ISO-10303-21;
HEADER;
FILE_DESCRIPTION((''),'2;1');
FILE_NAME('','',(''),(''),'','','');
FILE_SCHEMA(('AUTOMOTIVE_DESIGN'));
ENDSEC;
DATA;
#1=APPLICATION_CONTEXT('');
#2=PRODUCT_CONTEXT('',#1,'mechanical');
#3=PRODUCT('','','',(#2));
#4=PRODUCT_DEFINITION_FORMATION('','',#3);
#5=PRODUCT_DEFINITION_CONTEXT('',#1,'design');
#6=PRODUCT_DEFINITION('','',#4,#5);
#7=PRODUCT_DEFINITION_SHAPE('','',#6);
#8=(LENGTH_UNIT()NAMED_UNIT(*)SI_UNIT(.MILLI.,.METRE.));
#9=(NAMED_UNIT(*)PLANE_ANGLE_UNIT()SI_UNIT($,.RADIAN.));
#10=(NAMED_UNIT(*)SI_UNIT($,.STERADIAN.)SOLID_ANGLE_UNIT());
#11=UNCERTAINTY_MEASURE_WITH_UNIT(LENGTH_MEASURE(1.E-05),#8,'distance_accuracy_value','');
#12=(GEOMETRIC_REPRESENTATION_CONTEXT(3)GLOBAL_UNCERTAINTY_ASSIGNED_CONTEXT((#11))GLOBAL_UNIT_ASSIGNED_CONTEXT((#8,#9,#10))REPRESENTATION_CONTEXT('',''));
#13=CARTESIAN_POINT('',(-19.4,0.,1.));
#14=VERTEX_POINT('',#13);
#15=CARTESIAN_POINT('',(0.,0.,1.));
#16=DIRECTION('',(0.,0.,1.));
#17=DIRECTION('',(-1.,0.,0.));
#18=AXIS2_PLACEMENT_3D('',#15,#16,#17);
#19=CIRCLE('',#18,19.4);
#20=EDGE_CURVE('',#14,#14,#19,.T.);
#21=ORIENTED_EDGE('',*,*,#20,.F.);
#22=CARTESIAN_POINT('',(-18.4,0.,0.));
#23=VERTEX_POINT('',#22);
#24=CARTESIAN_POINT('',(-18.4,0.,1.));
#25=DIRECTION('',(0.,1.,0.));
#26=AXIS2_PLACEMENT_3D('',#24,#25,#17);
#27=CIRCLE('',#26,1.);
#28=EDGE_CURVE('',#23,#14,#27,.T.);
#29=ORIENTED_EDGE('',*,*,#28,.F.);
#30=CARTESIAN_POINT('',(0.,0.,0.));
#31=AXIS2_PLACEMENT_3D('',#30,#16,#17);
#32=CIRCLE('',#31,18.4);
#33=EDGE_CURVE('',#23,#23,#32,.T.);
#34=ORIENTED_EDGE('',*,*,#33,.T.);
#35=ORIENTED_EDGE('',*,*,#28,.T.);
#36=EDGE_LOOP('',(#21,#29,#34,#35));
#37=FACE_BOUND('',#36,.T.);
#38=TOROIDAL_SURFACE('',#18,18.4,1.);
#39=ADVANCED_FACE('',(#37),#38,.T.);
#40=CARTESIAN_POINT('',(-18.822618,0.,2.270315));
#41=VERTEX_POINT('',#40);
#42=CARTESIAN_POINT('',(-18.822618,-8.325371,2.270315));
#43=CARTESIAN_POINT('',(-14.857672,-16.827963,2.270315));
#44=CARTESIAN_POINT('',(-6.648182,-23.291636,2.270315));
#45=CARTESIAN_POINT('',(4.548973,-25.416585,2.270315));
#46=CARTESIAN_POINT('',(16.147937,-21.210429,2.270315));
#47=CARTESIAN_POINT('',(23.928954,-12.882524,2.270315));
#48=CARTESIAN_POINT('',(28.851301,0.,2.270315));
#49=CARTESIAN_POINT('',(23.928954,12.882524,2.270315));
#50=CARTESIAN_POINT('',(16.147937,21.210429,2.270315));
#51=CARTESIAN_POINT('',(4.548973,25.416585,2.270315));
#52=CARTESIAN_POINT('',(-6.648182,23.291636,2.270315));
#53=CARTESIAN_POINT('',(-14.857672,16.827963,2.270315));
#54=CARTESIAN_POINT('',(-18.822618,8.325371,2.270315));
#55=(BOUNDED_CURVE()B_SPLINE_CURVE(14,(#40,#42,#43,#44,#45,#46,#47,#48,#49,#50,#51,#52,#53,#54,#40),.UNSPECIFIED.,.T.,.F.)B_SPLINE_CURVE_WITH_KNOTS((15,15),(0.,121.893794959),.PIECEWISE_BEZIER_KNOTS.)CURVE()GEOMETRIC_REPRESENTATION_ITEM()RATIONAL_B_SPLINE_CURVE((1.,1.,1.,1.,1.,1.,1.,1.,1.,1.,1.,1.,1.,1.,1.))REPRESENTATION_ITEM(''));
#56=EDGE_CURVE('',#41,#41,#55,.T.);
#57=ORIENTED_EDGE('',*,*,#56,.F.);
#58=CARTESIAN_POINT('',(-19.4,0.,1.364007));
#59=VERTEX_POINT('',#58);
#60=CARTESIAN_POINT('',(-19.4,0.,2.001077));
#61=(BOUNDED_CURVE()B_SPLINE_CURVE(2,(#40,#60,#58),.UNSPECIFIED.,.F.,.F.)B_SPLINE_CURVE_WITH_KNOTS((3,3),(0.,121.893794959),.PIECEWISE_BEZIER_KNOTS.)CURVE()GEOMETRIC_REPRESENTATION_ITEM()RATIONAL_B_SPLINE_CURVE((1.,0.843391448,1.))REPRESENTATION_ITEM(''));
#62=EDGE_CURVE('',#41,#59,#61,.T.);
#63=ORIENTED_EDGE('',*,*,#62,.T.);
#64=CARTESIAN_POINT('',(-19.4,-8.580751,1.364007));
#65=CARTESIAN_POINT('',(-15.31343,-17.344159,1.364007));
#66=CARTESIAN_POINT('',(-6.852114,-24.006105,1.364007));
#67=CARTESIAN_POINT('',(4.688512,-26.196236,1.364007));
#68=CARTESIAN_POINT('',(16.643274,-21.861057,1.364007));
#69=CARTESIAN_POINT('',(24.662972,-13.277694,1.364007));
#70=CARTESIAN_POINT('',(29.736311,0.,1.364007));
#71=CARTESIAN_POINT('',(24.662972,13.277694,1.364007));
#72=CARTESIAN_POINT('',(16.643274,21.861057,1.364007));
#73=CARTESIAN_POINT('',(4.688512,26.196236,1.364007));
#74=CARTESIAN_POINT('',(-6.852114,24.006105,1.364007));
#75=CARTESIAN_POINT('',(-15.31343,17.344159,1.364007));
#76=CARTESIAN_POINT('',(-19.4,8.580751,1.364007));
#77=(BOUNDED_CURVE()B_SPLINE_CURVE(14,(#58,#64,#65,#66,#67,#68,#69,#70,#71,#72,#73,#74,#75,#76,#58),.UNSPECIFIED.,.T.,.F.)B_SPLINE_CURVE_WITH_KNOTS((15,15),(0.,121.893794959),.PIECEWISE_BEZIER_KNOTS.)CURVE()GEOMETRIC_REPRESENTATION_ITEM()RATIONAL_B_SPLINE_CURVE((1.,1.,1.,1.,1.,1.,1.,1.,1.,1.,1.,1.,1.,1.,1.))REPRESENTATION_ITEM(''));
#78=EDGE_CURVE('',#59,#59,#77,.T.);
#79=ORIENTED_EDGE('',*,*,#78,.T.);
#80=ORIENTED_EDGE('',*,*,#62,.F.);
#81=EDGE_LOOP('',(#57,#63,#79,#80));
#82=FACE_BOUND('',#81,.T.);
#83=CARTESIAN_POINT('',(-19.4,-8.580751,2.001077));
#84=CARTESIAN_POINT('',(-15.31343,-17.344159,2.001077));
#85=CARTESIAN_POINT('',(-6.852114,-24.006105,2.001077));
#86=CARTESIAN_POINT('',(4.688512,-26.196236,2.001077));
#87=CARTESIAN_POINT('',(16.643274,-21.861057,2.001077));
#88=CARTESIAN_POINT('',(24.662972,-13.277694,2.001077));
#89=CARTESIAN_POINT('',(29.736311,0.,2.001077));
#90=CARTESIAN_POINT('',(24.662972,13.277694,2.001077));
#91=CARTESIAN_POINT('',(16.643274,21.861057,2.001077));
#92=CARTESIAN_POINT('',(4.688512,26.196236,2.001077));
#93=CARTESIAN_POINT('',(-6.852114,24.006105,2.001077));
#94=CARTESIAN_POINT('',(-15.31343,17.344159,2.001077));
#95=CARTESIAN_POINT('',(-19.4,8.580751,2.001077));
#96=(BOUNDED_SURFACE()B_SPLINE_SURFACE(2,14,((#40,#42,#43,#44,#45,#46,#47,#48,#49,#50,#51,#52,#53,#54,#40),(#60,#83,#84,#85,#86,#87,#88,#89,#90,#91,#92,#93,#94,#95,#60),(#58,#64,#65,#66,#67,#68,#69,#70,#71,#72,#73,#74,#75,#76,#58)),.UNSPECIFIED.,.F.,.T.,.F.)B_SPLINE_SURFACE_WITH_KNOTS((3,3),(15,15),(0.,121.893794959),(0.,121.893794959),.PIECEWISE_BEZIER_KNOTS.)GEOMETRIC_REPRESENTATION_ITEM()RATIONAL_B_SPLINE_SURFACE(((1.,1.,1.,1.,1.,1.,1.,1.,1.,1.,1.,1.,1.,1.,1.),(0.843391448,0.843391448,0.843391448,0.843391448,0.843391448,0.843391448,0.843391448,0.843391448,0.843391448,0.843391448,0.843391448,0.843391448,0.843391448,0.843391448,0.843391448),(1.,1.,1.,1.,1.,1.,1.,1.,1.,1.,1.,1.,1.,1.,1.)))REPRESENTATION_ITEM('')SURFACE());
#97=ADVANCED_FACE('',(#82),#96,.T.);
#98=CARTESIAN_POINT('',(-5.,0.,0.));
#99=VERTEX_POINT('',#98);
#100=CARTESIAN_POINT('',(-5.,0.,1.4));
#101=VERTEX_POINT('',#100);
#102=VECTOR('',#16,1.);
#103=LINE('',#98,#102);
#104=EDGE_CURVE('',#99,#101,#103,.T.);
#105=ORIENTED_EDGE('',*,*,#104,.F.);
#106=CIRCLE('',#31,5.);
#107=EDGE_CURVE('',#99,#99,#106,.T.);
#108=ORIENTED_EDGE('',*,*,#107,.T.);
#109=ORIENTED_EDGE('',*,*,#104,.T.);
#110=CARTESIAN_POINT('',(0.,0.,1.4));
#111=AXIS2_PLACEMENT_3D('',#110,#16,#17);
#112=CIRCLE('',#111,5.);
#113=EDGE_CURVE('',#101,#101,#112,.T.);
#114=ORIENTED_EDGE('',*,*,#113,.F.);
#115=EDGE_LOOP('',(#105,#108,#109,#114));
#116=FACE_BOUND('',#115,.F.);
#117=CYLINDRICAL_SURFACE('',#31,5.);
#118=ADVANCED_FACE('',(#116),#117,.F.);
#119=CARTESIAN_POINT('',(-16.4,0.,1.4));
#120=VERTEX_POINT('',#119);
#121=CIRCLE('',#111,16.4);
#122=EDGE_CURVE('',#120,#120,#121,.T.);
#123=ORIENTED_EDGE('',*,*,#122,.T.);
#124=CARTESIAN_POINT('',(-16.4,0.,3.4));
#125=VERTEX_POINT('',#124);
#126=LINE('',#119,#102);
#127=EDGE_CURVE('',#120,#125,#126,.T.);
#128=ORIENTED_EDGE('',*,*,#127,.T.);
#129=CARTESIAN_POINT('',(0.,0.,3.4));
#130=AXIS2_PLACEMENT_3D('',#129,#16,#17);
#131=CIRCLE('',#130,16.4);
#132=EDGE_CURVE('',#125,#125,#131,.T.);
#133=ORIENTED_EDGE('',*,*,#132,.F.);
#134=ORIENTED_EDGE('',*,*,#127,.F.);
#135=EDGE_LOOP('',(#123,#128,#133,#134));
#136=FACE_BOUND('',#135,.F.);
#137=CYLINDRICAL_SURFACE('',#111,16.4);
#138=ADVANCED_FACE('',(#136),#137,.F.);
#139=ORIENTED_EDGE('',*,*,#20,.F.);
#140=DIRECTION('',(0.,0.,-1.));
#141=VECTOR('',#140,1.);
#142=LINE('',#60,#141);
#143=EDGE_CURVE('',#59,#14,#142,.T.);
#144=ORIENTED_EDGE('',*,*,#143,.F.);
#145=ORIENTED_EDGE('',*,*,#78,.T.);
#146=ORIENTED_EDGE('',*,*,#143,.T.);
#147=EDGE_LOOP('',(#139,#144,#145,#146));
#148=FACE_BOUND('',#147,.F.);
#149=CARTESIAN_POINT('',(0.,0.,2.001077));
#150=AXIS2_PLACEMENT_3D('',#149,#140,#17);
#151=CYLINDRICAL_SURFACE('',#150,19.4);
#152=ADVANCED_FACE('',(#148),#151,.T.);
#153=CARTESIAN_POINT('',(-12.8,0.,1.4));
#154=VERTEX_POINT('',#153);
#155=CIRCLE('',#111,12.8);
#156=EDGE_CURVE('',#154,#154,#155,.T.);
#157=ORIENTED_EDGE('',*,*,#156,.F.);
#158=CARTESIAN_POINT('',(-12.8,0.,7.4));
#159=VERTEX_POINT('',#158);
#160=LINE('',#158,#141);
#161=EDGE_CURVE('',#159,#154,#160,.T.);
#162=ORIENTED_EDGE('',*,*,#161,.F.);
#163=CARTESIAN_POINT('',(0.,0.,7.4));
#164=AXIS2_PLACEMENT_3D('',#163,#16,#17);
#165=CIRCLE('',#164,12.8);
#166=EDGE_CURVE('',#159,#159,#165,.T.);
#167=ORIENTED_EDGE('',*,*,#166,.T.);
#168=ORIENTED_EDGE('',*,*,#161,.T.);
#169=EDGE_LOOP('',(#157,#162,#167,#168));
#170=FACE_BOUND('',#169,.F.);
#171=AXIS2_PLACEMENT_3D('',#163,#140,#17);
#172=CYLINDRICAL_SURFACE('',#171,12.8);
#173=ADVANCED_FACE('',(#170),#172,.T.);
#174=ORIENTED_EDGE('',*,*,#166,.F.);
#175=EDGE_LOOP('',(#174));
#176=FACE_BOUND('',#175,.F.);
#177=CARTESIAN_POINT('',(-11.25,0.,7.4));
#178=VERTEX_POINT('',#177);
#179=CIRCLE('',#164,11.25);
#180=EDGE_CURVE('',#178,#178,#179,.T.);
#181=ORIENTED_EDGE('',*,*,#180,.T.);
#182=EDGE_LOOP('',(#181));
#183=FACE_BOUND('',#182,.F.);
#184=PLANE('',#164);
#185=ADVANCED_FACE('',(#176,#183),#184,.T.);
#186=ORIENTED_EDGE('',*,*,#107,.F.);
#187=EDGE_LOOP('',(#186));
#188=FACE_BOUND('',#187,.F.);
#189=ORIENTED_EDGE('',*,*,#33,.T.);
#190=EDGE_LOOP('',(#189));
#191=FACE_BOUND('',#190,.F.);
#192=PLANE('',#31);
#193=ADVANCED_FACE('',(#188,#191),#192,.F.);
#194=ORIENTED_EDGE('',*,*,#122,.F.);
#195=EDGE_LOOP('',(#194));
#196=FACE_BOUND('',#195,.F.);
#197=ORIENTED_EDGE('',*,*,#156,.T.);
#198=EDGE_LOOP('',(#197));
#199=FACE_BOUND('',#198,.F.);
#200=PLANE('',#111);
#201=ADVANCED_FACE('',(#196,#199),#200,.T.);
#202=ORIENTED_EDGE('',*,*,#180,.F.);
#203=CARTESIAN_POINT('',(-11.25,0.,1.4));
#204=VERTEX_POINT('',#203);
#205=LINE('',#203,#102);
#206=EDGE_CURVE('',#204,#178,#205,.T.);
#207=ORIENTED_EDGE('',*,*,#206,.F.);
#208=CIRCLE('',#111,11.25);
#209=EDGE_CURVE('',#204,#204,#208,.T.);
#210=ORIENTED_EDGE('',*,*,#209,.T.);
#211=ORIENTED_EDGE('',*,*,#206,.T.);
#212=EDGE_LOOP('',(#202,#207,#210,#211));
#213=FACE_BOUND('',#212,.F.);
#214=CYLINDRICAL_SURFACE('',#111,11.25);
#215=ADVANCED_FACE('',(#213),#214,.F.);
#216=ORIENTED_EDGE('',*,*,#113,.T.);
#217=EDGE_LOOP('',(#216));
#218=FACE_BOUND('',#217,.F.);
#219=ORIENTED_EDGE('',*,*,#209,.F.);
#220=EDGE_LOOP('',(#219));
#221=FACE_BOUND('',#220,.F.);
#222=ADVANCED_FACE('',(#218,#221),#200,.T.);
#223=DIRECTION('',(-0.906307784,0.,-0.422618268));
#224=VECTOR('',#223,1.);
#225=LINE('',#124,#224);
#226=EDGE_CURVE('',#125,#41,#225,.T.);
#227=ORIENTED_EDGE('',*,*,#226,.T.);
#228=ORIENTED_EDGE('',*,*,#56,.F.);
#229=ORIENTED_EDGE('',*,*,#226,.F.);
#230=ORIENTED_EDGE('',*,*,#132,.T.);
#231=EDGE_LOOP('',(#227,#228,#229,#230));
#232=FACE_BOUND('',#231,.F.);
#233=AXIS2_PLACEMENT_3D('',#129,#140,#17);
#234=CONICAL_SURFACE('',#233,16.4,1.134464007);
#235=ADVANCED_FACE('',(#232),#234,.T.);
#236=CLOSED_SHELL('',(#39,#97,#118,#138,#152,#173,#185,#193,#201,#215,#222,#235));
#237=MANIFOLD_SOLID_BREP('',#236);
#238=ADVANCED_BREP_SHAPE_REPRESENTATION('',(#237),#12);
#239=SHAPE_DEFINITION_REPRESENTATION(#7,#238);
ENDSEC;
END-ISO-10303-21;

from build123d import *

# Parameters (mm, degrees)
F2_R = 1


with BuildPart() as f1:
    # F0 (on Front) → F1 (revolve)
    with BuildSketch(Plane.XZ):
        Polygon((-19.4, 0), (-5, 0), (-5, 1.4), (-11.25, 1.4), (-11.25, 7.4), (-12.8, 7.4), (-12.8, 1.4), (-16.4, 1.4), (-16.4, 3.4), (-19.4, 2.001077), align=None)
    revolve(axis=Axis((0, 0, 4.390553), (0, 0, 1)))

    # F2
    f2_edges = [f1.edges().sort_by_distance(p)[0] for p in [
        (19.4, 0, 2.001077),
        (19.4, 0, 0),
    ]]
    fillet(f2_edges, radius=F2_R)


solid = f1.part
